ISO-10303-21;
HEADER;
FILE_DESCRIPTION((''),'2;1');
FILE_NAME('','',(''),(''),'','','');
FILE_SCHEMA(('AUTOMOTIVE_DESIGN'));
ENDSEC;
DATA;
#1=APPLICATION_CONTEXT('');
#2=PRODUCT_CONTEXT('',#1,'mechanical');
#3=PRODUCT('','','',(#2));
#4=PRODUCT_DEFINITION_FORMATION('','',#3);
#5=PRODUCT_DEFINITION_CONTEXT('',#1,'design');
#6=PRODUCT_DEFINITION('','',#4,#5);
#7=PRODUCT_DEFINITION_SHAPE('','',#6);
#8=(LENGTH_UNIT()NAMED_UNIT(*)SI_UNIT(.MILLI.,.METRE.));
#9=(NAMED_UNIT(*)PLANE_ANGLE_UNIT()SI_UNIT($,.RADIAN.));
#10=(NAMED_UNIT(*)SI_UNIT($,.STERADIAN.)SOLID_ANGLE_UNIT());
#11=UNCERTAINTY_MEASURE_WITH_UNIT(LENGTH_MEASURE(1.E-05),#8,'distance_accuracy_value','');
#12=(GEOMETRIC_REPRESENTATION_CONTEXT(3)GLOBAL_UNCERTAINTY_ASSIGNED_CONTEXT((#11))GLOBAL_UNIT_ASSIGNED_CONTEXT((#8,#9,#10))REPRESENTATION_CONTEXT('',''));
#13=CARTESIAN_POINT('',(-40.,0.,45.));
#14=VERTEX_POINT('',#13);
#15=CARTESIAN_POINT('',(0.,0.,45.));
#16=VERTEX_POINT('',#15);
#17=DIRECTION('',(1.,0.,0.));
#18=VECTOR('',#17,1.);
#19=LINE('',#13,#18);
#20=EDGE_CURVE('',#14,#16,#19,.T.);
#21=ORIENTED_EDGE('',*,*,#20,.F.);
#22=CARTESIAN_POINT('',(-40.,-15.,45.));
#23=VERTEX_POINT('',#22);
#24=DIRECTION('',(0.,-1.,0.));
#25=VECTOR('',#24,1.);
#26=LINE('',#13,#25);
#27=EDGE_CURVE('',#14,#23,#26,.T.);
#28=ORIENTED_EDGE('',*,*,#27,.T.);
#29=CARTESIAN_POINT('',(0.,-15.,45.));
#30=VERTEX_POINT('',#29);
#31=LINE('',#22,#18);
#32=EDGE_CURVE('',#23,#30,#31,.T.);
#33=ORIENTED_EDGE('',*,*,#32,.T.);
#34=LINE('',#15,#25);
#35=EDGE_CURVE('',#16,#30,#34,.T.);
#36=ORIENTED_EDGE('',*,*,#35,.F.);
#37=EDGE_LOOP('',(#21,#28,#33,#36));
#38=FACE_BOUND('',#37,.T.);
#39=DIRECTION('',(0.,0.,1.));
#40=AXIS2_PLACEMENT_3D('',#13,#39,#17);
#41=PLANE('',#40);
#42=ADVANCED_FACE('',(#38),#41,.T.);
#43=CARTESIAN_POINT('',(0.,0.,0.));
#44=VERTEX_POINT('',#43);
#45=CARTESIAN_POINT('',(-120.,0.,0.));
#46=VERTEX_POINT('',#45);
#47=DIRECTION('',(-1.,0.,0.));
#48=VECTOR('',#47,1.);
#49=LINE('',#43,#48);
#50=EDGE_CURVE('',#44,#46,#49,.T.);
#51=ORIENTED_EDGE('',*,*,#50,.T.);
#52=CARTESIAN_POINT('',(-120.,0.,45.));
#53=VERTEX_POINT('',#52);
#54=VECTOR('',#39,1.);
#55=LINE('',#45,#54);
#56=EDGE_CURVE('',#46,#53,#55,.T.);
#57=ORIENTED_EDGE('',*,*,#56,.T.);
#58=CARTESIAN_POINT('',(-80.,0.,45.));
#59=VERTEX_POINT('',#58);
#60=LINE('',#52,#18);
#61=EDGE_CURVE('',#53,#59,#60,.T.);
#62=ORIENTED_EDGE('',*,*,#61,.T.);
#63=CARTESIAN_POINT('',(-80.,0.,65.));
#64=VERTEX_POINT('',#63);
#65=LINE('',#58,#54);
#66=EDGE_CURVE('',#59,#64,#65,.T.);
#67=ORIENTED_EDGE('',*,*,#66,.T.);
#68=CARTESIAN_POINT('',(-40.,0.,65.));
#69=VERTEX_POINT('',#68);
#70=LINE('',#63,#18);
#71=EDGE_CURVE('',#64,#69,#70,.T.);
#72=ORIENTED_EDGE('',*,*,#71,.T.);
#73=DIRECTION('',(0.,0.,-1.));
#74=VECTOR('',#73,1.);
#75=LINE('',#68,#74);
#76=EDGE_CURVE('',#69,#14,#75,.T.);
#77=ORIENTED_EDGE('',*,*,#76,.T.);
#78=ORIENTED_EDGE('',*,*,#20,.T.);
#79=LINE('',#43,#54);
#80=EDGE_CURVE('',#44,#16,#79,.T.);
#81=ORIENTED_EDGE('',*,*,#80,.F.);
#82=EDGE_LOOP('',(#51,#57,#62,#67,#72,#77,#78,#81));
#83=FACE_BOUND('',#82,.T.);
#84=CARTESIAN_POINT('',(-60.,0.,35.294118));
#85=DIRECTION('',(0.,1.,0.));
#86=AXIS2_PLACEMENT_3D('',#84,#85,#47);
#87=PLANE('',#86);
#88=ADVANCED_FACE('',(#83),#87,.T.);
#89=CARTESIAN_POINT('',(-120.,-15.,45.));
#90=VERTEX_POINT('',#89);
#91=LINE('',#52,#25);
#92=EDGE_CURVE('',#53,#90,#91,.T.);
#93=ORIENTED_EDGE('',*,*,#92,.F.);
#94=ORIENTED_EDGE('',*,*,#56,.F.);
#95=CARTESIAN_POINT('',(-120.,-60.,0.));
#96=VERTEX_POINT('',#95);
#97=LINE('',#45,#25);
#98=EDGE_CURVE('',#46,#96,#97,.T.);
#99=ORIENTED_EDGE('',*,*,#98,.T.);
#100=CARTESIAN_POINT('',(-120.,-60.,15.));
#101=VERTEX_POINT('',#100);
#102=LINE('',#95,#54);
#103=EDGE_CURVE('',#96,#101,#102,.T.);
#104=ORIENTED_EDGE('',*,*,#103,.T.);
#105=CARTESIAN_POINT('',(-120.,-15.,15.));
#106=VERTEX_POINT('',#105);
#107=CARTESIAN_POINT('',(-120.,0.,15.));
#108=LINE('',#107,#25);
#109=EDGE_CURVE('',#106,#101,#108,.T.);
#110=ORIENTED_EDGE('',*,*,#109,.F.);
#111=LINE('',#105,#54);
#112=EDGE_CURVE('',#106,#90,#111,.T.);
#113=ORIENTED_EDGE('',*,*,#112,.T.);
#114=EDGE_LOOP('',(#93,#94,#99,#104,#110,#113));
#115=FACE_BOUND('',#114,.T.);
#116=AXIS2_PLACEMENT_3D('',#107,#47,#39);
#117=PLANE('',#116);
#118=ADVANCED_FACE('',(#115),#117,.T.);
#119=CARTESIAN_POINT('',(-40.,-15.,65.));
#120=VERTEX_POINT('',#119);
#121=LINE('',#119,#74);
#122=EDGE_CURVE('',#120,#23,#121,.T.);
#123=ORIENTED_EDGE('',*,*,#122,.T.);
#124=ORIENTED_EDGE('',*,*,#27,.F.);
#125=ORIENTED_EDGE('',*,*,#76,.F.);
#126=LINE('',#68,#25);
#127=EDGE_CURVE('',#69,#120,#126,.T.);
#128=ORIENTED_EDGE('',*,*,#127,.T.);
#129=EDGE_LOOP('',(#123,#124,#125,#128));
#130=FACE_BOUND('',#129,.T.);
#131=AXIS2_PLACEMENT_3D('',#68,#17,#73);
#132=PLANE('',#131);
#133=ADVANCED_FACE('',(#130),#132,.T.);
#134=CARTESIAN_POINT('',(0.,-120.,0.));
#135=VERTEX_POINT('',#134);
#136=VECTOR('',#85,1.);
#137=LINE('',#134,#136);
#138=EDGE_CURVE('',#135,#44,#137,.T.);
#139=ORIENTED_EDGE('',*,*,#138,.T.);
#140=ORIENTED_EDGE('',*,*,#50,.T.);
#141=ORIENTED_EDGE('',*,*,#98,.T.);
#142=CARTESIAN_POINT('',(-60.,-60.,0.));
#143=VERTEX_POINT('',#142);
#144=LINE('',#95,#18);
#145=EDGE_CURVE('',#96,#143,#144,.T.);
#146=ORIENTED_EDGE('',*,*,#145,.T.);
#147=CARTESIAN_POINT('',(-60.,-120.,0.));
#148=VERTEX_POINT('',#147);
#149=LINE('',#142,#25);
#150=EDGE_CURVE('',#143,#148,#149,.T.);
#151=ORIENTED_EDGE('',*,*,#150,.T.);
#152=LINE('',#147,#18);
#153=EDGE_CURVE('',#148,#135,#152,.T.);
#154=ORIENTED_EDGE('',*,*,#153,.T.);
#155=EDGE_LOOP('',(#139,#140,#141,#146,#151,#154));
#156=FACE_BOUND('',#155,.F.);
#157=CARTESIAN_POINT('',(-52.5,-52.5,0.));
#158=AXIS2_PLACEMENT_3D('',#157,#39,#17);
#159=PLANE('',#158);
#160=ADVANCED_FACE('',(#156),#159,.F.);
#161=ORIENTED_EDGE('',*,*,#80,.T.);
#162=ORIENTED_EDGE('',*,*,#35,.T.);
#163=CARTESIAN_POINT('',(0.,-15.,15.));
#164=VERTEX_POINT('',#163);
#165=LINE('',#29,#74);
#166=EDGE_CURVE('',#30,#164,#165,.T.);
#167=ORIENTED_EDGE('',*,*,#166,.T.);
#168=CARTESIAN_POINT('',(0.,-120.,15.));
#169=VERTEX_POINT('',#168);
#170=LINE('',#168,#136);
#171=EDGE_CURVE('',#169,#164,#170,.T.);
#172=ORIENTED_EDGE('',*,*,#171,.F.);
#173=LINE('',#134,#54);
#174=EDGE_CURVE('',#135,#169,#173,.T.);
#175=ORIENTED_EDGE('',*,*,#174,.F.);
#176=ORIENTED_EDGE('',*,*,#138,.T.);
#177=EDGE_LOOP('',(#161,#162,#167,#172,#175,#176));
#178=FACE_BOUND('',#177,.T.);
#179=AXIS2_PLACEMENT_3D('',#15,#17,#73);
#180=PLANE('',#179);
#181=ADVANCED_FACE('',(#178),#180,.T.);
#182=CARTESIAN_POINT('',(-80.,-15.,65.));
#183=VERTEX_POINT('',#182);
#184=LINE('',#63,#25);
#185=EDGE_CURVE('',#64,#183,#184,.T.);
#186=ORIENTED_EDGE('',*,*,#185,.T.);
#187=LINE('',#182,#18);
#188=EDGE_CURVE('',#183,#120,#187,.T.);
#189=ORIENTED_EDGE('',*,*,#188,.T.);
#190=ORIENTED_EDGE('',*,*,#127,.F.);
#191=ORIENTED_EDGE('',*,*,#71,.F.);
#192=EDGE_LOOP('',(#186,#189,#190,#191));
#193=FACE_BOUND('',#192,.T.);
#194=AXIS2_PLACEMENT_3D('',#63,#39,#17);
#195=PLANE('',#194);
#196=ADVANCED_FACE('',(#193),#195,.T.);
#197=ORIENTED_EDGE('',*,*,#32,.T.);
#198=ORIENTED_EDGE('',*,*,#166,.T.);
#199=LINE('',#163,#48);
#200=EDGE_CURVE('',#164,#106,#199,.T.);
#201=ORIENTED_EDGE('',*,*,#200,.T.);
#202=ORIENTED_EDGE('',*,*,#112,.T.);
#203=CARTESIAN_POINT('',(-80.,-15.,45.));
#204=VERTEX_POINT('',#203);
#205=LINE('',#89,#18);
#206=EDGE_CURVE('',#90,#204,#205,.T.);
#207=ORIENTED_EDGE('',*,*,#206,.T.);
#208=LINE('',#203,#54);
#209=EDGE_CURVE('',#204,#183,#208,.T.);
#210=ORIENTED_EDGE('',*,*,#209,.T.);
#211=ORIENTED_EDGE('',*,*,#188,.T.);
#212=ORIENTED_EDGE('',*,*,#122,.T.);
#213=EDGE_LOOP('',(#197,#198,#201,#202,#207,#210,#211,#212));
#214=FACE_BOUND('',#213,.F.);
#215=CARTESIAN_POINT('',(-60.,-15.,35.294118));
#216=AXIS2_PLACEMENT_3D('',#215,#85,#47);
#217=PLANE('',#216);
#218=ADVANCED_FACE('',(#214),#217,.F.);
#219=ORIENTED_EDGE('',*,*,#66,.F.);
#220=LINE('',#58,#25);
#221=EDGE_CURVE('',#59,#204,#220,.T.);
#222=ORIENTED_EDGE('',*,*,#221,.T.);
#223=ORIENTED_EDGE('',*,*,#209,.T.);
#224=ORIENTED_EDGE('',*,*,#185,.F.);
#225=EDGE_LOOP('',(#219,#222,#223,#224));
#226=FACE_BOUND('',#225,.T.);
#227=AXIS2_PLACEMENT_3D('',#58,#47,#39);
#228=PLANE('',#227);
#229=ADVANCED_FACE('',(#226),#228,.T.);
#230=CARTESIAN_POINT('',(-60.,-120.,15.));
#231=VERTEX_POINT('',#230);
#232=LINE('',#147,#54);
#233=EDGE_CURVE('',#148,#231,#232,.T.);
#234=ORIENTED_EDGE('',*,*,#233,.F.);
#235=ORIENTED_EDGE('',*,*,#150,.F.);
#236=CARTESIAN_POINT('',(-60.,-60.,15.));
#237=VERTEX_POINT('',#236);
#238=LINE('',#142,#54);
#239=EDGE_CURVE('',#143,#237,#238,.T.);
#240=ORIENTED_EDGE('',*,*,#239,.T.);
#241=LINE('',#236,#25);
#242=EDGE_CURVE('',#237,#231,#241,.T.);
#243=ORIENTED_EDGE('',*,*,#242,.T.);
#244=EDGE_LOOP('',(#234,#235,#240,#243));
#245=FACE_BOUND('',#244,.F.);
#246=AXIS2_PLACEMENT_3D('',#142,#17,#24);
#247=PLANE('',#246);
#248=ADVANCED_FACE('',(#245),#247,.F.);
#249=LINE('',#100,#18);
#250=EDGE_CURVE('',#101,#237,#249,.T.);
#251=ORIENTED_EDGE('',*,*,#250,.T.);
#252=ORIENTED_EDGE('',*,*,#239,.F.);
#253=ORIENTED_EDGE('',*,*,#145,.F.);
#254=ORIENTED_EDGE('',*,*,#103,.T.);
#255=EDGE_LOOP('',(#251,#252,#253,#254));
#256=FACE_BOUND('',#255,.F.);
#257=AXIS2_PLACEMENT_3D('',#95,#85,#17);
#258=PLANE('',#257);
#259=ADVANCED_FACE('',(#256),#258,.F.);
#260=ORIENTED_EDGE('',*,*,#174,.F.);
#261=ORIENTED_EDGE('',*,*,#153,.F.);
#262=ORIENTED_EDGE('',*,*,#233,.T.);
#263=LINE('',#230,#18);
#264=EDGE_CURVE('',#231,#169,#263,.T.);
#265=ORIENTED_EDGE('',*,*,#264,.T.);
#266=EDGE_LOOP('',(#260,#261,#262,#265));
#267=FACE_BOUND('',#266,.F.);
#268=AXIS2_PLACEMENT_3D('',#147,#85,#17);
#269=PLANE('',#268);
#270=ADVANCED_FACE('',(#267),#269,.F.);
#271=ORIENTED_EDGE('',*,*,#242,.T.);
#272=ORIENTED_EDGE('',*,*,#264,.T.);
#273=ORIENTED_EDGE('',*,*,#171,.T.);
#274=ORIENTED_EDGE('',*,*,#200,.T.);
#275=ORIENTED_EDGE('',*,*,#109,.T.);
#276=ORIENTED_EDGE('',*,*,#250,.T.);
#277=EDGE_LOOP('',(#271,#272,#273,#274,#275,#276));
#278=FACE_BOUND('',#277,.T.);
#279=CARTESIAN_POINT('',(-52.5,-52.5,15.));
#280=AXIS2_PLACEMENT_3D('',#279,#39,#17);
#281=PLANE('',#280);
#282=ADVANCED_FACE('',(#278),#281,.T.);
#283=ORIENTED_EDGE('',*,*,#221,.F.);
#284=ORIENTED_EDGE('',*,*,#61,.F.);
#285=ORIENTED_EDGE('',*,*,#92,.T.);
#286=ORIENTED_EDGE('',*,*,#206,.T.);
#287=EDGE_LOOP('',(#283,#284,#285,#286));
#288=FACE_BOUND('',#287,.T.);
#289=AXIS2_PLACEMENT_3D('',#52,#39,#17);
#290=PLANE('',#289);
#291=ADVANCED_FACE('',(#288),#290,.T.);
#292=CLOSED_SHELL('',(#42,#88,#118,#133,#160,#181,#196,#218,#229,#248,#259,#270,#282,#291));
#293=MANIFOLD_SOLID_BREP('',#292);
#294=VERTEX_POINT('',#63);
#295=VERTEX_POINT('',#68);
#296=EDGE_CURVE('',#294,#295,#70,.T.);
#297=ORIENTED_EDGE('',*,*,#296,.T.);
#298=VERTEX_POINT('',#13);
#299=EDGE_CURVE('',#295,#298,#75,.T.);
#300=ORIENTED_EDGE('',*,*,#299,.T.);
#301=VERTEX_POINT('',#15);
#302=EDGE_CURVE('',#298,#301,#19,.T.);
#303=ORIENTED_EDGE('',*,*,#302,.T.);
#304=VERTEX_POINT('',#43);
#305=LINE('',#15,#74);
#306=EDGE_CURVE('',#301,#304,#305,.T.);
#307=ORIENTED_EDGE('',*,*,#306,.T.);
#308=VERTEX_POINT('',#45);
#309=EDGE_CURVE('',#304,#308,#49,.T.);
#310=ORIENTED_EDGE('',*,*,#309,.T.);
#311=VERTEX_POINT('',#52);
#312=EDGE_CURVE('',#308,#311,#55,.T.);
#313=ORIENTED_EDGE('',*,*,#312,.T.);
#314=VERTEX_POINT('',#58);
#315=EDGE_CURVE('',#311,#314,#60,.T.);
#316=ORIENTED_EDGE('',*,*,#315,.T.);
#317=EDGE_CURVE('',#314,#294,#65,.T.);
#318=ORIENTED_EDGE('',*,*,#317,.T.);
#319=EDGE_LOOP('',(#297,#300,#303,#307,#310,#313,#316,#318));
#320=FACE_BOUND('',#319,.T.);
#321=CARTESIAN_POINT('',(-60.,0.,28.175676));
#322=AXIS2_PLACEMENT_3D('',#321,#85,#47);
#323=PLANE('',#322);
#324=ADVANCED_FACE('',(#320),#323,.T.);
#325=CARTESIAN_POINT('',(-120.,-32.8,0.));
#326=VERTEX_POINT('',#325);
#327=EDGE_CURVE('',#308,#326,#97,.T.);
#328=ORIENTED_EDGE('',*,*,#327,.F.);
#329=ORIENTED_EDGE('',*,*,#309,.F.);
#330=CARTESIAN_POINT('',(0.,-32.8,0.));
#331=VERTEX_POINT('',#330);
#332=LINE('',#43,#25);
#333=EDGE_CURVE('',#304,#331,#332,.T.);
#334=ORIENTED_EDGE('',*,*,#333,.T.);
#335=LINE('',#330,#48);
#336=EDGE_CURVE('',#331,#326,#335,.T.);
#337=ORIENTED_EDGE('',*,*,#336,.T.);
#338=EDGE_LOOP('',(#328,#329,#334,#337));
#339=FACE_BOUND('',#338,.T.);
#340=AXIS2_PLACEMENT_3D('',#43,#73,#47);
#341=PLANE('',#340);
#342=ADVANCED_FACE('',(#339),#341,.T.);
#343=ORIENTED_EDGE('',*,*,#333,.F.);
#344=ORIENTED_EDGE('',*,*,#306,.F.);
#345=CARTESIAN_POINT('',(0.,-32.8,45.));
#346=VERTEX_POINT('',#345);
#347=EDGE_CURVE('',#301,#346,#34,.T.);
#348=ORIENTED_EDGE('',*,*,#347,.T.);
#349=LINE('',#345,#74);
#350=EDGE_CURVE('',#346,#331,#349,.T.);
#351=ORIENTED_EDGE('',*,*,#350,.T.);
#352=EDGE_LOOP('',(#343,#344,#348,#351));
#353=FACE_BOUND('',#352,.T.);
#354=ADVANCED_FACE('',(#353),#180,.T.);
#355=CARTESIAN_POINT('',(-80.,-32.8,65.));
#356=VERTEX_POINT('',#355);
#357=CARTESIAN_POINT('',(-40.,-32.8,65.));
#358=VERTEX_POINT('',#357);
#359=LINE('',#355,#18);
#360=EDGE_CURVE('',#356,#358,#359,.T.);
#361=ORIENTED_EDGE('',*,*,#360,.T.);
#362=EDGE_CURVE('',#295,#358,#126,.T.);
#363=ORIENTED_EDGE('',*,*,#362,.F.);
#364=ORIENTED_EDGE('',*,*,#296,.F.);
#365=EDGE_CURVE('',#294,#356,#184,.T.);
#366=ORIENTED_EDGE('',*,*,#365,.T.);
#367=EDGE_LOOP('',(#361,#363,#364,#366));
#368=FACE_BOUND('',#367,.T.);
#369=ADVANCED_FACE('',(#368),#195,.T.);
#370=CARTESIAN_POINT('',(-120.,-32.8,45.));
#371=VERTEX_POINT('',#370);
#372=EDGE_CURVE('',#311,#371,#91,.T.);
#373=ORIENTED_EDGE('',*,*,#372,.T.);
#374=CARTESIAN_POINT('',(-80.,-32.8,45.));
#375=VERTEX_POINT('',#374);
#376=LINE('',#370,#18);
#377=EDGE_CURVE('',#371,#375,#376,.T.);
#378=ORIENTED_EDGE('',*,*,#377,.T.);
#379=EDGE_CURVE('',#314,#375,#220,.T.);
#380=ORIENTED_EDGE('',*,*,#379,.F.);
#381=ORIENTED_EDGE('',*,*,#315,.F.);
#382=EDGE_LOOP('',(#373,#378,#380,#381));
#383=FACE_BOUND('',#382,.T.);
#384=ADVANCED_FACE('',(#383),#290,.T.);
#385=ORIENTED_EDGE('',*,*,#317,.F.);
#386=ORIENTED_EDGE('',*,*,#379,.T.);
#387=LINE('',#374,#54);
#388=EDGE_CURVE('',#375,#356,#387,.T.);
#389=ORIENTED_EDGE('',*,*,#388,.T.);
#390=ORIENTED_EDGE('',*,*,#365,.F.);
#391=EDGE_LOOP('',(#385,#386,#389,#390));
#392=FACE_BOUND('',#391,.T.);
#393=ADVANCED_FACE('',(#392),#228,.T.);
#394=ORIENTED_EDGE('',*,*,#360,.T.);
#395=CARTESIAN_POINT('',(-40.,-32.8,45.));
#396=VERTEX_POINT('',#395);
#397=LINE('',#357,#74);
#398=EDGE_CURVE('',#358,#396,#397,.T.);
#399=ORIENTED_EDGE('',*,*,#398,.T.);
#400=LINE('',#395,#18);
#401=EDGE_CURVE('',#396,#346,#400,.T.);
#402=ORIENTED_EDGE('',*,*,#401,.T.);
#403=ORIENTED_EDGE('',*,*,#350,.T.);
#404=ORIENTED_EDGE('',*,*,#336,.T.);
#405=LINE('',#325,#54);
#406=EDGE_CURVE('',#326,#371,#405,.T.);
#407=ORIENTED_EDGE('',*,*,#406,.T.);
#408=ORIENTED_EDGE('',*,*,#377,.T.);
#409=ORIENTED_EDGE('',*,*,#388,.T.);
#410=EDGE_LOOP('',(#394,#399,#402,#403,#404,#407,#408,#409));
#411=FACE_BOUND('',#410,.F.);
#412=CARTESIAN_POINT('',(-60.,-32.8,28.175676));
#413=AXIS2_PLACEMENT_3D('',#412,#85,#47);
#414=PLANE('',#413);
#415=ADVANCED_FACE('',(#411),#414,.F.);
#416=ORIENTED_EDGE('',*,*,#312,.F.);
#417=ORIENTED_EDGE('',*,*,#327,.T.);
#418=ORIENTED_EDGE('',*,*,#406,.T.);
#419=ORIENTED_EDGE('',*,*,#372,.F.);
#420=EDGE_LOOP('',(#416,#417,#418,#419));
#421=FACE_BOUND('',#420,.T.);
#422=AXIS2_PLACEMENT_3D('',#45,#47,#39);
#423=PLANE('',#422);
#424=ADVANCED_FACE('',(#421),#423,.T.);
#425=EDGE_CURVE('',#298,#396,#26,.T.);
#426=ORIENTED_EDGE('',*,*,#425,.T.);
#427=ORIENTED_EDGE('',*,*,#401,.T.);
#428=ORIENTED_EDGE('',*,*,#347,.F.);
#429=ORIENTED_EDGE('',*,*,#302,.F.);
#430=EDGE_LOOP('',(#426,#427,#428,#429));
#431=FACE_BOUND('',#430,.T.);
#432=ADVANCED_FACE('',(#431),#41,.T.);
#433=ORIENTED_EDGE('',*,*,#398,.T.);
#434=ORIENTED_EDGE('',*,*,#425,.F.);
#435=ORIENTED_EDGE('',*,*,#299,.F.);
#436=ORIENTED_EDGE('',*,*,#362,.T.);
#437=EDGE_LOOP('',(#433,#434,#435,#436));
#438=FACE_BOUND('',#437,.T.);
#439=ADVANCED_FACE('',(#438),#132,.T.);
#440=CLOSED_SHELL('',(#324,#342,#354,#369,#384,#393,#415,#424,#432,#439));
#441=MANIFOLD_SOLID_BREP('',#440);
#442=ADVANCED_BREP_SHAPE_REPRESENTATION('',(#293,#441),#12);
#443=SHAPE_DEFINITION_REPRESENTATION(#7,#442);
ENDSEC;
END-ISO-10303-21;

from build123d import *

# Parameters (mm, degrees)
F1_DEPTH = 15
F3_DEPTH = 15
F5_DEPTH = 32.8


with BuildPart() as f1:
    # F0 (on Top) → F1 (new body)
    with BuildSketch(Plane.XY):
        Polygon((0, -120), (0, 0), (-120, 0), (-120, -60), (-60, -60), (-60, -120), align=None)
    extrude(amount=F1_DEPTH)

    # F2 (on face) → F3 (join)
    with BuildSketch(Plane(origin=(0, 0, 0), x_dir=(-1, 0, 0), z_dir=(0, 1, 0))):
        Polygon((0, 45), (0, 15), (120, 15), (120, 45), (80, 45), (80, 65), (40, 65), (40, 45), align=None)
    extrude(amount=-F3_DEPTH)


with BuildPart() as f5:
    # F4 (on face) → F5 (new body)
    with BuildSketch(Plane(origin=(0, 0, 0), x_dir=(-1, 0, 0), z_dir=(0, 1, 0))):
        Polygon((0, 45), (0, 0), (120, 0), (120, 45), (80, 45), (80, 65), (40, 65), (40, 45), align=None)
    extrude(amount=-F5_DEPTH)


solid = Compound([f1.part, f5.part])
